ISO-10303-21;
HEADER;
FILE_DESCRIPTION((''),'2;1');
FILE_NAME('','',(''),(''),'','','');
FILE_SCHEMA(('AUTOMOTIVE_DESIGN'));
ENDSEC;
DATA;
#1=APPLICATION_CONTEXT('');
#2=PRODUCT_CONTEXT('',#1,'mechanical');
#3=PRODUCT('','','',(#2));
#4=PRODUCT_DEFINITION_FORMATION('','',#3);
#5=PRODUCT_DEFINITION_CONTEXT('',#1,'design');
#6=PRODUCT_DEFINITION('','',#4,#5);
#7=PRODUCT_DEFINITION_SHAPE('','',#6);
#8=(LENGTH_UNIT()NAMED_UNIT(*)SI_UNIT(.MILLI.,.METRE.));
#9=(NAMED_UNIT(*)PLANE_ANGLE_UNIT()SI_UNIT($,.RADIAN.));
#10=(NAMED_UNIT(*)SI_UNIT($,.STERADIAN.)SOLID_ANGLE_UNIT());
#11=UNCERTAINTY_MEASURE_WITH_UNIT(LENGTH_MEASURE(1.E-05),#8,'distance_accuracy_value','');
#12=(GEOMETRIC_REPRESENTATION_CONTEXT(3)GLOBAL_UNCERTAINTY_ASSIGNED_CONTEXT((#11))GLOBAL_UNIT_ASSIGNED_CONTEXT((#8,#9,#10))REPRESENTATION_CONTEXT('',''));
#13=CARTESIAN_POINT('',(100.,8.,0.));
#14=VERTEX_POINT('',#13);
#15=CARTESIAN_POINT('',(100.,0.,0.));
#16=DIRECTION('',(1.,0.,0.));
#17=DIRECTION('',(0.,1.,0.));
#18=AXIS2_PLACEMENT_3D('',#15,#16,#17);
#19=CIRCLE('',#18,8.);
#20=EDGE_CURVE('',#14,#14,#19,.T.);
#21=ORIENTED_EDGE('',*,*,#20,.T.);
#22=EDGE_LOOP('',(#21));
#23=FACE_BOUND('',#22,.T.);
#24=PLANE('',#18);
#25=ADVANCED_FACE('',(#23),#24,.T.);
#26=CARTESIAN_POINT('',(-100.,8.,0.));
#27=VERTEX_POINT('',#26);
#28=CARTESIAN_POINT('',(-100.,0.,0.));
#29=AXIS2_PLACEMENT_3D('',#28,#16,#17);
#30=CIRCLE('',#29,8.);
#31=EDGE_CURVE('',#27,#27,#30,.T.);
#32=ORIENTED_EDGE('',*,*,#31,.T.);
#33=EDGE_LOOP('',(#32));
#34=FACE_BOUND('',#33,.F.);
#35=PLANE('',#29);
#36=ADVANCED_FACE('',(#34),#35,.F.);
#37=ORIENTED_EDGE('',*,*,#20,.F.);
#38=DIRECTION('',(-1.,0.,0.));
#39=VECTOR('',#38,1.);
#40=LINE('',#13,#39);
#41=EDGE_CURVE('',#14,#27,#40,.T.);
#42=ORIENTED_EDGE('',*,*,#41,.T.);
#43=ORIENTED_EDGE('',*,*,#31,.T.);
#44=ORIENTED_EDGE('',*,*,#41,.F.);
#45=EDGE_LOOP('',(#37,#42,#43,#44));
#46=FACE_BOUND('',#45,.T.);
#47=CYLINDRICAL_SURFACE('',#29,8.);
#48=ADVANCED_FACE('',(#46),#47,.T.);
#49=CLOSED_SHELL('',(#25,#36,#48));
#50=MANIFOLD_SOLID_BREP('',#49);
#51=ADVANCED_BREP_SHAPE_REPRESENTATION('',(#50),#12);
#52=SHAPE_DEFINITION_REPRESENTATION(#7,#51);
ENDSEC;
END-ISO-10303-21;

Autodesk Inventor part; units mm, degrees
ref_plane "YZ Plane" through (0, 0, 0) normal (1, 0, 0) x (0, 1, 0)
ref_plane "XZ Plane" through (0, 0, 0) normal (0, 1, 0) x (-1, 0, 0)
sketch "Эскиз1" plane through (0, 0, 0) normal (0, 0, 1) x (1, 0, 0)
  line L0 (100, 8) -> (100, 0)
  line L1 (-100, 0) -> (100, 0)
  line L2 (-140, 0) -> (140, 0) projected
  line L3 (0, 9.6) -> (0, -1.6) projected
  line L4 (-100, 8) -> (-100, 0)
  line L5 (0, 8) -> (0, 0) construction
  line L6 (-140, 0) -> (140, 0) projected
  line L7 (-100, 8) -> (100, 8)
  dimension "d13" = 16
  dimension "d87" = 200
  dimension "d88" = 100
revolve "Базовый элемент" add sketch "Эскиз1" angle 360 about axis through (-100, 0, 0) along (1, 0, 0)
thread "Резьба1" size "M16x2" class "6g" standard "ISO Metric profile" length 200
ref_plane "Work Plane1" through (2.75, 0, 0) normal (0, -1, 0) x (1, 0, 0)
equation "\"d13\" = NND"
equation "\"d87\" = NLG"
equation "\"d88\" = 0.5 * NLG"
equation "\"d1\" = GEL"
equation "\"NLG\" = 200"
equation "\"GEL\" = NLG"
equation "\"GAL\" = 0.61345 * PTC"
equation "\"SPD\" = 13.271"
equation "\"d0\" = NND"
equation "\"GUL\" = 0.61345 * PTC"
equation "\"NND\" = 16"
equation "\"GUL1\" = GUL"
equation "\"GAL1\" = GAL"
equation "\"d89\" = -GEL + GUL1"
equation "\"d90\" = -GUL - GEL"
equation "\"PTC\" = 2"
equation "\"THREADDIA\" = 16"
equation "\"TOA\" = 30deg"
equation "\"GD1\" = THREADDIA - 1.2269 * PTC"
properties part number "DIN 976-1 - M16 x 200 - A" material "Сталь, мягкая"
